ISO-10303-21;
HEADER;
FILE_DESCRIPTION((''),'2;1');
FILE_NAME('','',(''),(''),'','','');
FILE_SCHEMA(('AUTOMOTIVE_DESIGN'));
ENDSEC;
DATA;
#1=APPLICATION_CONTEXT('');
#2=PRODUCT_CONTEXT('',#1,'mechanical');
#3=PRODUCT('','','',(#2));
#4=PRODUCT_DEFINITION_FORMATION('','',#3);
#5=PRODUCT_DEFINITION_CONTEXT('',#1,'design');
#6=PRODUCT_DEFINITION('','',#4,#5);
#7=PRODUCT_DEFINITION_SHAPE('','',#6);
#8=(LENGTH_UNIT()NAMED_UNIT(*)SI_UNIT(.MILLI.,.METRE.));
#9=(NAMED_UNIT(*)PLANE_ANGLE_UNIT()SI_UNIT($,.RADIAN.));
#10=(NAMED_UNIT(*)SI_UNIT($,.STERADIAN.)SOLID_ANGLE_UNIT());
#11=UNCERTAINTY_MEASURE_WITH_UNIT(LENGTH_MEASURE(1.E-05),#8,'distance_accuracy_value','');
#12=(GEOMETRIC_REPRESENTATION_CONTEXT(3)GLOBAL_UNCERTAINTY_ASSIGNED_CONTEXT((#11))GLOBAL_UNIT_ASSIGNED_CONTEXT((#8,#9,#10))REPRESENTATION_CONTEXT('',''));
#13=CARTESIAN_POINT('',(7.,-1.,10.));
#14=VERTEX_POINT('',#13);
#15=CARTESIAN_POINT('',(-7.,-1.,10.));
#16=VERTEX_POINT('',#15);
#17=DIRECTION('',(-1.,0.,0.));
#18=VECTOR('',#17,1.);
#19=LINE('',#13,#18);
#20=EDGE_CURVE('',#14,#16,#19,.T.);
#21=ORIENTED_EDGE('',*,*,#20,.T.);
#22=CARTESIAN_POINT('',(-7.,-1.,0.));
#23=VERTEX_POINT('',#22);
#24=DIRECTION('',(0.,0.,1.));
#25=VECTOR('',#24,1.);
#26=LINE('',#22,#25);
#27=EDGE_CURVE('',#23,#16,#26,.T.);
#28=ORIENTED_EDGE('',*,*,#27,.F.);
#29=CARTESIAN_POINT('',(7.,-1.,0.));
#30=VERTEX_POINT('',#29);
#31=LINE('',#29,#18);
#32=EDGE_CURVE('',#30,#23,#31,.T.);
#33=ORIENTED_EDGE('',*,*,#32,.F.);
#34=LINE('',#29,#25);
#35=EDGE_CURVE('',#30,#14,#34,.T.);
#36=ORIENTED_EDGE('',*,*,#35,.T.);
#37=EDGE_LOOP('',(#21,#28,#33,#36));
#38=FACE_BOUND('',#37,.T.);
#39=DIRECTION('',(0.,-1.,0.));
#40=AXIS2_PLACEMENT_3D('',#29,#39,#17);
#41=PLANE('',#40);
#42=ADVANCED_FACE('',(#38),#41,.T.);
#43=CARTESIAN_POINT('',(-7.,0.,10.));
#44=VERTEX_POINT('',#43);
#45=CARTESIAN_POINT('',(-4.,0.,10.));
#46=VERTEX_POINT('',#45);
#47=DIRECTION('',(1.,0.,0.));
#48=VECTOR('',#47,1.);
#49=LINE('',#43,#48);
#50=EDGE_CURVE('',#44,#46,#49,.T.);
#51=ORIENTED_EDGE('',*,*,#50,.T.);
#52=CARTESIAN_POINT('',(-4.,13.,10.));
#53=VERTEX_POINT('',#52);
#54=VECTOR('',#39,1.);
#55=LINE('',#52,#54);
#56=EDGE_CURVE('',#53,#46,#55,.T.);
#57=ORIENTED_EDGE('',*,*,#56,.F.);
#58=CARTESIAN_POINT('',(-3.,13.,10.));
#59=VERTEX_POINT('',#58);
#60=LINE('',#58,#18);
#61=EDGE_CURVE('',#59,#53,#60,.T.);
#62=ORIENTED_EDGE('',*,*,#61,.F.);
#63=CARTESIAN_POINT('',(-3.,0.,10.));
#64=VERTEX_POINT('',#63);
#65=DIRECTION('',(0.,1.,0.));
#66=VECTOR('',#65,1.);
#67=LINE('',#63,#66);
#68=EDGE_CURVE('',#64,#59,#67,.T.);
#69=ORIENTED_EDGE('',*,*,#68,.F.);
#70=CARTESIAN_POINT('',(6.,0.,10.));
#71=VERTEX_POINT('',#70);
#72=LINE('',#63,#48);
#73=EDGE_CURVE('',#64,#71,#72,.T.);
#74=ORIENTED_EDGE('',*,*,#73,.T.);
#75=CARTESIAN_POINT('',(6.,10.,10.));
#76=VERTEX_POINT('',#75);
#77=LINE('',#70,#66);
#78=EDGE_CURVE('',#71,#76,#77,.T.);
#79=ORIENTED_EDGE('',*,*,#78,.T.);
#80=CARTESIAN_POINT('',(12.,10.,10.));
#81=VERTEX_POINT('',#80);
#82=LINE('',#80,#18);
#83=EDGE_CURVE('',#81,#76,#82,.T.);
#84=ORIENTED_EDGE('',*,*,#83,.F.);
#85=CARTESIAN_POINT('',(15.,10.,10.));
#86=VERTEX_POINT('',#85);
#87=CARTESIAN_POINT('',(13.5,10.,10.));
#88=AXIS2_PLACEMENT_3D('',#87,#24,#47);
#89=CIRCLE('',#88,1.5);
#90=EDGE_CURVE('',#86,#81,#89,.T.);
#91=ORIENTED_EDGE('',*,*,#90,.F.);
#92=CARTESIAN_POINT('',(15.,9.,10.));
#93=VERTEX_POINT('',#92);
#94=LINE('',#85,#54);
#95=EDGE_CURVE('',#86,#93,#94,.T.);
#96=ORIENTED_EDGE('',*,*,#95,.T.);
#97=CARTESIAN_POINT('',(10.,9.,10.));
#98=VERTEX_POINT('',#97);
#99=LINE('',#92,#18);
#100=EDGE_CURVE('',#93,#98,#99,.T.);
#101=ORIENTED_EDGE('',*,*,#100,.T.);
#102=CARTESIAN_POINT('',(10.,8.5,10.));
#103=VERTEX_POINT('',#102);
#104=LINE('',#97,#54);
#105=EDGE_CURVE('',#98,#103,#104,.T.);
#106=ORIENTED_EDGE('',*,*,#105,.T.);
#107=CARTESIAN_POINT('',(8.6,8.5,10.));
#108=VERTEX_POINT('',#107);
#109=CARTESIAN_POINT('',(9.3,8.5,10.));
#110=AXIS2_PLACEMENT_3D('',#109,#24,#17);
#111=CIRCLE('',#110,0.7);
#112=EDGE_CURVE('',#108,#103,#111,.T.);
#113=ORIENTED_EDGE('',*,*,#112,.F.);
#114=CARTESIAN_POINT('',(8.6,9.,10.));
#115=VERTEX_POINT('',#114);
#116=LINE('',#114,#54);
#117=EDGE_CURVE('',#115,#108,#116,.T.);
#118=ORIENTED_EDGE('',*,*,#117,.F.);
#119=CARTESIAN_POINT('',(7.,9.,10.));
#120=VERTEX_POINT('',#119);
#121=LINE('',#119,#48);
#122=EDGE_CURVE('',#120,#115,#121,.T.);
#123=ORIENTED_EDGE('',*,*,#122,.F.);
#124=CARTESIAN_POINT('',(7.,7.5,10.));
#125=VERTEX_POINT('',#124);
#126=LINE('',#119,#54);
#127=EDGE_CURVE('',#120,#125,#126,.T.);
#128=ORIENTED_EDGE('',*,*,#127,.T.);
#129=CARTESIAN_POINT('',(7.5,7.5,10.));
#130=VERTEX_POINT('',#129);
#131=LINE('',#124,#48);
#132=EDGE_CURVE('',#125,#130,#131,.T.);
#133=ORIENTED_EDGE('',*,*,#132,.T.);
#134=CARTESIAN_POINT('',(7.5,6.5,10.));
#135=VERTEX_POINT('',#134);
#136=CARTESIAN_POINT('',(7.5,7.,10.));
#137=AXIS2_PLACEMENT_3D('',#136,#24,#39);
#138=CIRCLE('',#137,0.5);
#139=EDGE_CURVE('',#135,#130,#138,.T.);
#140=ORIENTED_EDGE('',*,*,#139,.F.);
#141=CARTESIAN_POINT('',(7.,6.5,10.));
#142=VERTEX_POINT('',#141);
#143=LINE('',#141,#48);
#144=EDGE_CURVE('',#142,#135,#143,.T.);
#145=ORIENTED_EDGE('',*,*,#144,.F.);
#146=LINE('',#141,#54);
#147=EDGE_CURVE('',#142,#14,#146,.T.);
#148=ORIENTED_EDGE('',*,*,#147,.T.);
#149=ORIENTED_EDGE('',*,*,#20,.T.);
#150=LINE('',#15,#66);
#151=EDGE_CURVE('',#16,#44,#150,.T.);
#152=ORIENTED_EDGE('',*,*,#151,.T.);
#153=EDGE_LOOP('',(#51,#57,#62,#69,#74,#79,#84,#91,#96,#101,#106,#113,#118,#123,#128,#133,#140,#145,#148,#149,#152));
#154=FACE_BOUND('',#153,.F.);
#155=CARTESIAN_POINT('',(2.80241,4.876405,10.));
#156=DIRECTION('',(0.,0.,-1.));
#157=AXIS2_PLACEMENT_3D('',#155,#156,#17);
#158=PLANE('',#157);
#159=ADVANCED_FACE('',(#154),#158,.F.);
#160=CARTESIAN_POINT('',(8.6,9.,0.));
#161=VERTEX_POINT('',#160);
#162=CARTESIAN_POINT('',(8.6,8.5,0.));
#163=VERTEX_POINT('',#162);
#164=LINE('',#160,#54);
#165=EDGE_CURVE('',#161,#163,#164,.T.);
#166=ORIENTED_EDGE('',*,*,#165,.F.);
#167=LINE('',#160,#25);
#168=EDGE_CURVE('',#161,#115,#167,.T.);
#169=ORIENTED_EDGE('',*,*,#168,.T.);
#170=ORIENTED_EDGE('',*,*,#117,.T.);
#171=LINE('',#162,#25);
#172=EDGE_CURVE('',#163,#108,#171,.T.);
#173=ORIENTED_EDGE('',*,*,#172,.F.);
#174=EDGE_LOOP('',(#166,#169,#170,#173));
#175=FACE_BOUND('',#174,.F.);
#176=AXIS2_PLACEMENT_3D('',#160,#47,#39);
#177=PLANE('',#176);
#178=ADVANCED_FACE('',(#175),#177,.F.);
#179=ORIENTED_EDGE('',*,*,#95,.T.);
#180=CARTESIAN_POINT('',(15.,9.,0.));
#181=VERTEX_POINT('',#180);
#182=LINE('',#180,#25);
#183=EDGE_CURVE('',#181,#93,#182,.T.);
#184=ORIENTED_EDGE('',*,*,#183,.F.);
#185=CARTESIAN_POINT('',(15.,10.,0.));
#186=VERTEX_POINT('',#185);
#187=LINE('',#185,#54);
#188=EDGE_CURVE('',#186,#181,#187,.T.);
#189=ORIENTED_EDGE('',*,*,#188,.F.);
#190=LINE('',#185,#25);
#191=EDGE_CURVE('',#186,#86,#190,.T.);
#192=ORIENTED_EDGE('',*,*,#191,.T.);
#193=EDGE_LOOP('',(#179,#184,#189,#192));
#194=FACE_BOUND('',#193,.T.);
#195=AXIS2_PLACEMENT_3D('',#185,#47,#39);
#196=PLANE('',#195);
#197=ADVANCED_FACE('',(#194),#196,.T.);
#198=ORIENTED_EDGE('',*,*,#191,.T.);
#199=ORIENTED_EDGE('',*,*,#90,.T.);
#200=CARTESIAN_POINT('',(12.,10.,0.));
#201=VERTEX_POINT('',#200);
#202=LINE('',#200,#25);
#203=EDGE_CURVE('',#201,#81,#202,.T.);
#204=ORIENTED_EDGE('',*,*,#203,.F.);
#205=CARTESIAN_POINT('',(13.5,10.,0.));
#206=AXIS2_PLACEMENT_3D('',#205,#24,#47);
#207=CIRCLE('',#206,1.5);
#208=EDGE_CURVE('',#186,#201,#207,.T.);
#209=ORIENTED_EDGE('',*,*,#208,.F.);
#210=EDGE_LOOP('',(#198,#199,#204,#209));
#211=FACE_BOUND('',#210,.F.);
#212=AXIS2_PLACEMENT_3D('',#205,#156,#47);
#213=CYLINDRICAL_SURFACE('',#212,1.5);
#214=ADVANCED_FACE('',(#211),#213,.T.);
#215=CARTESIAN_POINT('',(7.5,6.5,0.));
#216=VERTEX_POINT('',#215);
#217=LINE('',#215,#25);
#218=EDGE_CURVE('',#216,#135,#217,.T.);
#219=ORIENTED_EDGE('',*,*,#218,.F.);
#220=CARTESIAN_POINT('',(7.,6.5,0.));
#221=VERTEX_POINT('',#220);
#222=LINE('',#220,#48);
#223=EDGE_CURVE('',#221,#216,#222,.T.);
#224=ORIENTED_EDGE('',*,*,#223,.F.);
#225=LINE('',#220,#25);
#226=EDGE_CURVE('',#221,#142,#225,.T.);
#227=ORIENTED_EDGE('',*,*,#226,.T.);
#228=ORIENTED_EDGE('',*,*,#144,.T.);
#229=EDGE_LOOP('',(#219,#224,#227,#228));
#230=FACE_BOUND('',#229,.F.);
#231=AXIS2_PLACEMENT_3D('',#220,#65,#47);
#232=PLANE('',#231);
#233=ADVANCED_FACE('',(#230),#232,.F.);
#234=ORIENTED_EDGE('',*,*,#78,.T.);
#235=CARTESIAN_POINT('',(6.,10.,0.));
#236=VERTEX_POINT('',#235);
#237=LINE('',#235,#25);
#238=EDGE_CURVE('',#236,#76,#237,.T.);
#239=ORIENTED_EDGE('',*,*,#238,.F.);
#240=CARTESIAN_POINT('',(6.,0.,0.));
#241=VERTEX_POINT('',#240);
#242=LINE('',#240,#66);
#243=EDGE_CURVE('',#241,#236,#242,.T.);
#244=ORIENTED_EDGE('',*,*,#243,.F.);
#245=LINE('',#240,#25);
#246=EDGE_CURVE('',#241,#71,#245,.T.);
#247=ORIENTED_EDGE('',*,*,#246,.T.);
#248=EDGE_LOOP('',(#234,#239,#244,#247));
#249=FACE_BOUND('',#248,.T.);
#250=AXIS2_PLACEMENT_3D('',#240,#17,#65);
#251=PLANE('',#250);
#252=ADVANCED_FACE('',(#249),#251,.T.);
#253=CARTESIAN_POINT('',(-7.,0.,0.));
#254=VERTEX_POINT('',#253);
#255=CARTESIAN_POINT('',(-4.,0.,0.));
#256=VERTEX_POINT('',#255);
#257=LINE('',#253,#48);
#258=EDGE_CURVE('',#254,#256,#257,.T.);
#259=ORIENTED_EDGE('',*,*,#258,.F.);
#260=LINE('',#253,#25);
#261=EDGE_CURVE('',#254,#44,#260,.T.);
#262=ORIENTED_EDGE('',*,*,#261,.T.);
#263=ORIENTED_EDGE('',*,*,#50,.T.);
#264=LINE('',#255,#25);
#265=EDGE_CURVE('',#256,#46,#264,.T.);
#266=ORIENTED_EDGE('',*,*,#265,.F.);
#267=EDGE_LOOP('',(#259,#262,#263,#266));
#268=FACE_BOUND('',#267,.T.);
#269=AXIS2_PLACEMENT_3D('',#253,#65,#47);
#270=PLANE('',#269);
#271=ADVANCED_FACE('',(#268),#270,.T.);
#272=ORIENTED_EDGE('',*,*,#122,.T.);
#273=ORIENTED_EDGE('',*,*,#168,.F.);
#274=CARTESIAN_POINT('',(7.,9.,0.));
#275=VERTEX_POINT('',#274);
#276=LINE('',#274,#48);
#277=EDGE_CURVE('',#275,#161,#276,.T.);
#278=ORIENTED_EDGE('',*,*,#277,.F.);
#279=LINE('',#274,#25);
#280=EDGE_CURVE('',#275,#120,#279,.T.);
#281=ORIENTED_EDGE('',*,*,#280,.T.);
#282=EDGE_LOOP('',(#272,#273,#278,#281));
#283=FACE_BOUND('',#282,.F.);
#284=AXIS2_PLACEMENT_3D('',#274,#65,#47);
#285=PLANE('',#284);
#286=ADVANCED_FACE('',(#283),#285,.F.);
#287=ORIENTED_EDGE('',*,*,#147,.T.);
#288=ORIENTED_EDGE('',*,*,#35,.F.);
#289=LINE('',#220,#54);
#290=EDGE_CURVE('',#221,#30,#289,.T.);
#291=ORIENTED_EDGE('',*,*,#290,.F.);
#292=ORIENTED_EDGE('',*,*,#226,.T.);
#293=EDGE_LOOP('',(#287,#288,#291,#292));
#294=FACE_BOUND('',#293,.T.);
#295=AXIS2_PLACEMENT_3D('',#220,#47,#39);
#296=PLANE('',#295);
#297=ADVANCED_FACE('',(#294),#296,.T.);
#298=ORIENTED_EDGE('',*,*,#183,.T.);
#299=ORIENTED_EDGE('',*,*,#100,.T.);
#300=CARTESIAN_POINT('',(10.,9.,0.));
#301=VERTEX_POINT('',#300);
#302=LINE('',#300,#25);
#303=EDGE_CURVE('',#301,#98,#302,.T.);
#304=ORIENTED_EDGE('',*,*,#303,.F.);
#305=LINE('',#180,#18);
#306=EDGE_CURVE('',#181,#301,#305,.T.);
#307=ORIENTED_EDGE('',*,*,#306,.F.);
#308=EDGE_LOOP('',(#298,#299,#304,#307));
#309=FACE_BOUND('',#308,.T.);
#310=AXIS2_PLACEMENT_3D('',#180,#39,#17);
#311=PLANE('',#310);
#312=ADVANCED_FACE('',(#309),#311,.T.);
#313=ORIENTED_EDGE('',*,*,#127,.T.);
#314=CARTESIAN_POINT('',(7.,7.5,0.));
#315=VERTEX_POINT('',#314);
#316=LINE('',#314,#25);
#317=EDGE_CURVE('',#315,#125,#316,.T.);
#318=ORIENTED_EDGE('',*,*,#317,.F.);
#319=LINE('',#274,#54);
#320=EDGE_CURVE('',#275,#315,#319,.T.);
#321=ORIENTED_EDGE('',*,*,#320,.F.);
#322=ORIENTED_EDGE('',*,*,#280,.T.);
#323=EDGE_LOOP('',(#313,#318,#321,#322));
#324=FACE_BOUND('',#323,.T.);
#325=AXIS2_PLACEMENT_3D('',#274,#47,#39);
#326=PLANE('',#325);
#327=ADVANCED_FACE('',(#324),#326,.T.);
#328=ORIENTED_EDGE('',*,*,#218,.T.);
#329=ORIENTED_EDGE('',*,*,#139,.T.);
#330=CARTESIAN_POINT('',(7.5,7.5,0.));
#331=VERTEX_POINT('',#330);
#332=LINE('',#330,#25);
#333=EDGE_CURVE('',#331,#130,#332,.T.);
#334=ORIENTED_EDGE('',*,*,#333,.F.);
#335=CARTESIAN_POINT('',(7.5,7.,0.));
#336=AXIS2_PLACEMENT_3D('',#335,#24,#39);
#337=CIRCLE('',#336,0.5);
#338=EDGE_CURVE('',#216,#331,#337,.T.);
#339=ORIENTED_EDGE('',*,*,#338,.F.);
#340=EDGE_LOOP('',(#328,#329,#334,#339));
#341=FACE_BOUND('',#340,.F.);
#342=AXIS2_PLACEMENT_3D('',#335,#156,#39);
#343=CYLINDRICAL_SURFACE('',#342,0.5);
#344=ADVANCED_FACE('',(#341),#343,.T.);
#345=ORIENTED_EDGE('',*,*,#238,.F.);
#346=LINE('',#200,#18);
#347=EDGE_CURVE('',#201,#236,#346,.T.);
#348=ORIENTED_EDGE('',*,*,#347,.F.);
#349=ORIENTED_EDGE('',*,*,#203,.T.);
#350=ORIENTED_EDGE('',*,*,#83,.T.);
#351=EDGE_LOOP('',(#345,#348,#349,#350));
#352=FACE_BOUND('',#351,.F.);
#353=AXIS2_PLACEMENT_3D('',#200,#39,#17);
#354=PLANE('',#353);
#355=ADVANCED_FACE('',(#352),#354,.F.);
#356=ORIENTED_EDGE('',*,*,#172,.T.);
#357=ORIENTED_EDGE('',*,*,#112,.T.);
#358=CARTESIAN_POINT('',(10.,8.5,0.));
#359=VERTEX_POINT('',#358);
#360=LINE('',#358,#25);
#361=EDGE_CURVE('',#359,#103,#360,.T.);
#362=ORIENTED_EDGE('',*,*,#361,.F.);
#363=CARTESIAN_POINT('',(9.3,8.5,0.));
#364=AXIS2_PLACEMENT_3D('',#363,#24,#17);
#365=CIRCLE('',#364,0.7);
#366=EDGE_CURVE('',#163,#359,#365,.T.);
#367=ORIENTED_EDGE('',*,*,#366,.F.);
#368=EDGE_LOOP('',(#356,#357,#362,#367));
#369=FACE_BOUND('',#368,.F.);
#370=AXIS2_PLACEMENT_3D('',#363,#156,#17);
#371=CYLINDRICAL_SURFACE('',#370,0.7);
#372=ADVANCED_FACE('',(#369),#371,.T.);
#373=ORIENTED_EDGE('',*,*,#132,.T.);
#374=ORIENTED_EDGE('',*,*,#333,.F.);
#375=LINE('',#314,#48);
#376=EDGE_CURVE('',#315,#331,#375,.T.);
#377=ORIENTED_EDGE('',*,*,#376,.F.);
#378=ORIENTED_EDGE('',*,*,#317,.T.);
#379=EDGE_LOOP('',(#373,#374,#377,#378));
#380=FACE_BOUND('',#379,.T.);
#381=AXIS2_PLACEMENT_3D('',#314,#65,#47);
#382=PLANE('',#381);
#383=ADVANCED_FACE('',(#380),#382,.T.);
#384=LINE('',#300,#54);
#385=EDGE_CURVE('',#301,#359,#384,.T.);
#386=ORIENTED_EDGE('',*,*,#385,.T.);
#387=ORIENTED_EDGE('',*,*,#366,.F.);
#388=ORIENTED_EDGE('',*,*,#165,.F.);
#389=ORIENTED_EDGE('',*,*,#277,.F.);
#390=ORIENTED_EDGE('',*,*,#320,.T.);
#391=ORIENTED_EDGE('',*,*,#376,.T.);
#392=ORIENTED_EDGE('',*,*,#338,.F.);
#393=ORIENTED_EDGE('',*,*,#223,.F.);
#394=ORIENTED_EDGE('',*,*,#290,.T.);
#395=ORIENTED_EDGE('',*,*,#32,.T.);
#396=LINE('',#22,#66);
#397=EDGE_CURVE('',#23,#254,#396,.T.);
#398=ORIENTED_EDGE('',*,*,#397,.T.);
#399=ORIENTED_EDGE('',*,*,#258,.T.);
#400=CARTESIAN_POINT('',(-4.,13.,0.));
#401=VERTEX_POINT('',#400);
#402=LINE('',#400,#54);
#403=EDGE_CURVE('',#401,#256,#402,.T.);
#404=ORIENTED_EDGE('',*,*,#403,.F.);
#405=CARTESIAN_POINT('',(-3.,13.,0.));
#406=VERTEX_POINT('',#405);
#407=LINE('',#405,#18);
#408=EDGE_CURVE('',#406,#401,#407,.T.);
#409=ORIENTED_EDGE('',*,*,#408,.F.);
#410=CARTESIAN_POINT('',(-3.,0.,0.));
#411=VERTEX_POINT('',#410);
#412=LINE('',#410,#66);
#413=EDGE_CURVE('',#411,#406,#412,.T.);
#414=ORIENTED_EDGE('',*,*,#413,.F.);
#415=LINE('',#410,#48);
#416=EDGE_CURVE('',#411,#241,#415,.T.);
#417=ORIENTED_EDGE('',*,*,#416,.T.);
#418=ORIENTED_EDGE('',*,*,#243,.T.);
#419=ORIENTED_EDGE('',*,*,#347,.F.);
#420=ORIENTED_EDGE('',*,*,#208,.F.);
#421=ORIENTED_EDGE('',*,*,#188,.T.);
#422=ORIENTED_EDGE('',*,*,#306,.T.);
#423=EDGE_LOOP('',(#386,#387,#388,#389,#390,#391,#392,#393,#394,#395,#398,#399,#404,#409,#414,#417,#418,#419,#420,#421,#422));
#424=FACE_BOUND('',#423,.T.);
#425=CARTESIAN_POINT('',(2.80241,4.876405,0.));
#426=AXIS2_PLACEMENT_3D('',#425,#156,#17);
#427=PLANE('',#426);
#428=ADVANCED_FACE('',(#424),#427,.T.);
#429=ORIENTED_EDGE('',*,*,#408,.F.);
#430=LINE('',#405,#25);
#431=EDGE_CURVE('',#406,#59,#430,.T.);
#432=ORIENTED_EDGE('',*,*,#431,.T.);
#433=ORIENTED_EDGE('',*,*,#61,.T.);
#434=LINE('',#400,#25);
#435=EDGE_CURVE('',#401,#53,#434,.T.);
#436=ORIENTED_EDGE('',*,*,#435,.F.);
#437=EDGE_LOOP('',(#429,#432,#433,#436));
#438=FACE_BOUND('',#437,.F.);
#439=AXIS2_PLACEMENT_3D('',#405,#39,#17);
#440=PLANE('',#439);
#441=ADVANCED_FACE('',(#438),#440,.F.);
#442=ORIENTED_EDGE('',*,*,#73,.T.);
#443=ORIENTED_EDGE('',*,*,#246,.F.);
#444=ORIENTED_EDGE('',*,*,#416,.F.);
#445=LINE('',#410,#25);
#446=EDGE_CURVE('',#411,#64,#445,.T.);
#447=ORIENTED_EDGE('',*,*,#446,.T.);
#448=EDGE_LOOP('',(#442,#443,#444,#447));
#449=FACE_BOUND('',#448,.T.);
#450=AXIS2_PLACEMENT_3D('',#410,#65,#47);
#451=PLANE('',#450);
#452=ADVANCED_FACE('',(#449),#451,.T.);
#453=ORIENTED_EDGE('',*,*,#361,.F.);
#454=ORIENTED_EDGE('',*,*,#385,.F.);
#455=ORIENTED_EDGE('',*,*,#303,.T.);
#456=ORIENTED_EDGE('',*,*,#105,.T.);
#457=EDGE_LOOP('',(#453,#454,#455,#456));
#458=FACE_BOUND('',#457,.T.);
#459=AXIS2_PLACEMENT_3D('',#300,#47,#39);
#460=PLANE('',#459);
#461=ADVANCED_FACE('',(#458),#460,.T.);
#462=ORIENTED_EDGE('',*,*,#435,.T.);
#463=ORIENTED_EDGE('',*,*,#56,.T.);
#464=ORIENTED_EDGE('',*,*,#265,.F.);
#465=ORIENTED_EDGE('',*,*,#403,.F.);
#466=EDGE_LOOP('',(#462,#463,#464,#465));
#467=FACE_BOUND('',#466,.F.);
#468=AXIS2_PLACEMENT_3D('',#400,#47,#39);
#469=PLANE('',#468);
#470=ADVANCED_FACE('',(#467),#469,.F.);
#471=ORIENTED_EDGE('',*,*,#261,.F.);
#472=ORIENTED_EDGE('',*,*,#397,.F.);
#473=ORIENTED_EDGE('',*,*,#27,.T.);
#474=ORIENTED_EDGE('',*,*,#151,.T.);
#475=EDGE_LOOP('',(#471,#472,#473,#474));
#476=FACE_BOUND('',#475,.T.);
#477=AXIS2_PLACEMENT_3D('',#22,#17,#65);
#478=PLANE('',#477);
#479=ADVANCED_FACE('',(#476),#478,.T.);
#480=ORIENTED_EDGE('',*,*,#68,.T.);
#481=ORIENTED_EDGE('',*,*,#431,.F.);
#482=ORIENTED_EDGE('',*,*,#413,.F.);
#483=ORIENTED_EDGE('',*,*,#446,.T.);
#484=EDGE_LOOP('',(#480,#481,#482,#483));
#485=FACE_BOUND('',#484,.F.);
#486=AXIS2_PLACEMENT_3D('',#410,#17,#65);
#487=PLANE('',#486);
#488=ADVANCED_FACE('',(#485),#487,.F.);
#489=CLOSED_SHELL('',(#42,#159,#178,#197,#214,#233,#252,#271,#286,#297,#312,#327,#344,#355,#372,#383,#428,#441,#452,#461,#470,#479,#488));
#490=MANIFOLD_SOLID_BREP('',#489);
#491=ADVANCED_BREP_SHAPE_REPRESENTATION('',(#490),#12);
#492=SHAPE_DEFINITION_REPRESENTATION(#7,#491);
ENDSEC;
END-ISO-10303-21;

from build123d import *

# Parameters (mm, degrees)
PAD_DEPTH    = 10
PAD001_DEPTH = 10


with BuildPart() as part:
    # Sketch → Pad (new body)
    with BuildSketch(Plane.XY):
        with BuildLine():
            Line((7, -1), (-7, -1))
            Line((-7, -1), (-7, 0))
            Line((-7, 0), (-4, 0))
            Line((-4, 13), (-4, 0))
            Line((-3, 13), (-4, 13))
            Line((-3, 0), (-3, 13))
            Line((-3, 0), (6, 0))
            Line((6, 0), (6, 10))
            Line((12, 10), (6, 10))
            ThreePointArc((15, 10), (13.5, 11.5), (12, 10))
            Line((15, 10), (15, 9))
            Line((15, 9), (10, 9))
            Line((10, 9), (10, 8.5))
            ThreePointArc((8.6, 8.5), (9.3, 7.8), (10, 8.5))
            Line((8.6, 9), (8.6, 8.5))
            Line((7, 9), (8.6, 9))
            Line((7, 9), (7, 7.5))
            Line((7, 7.5), (7.5, 7.5))
            ThreePointArc((7.5, 6.5), (8, 7), (7.5, 7.5))
            Line((7, 6.5), (7.5, 6.5))
            Line((7, 6.5), (7, -1))
        make_face()
    extrude(amount=PAD_DEPTH)

    # Sketch → Pad001 (join)
    with BuildSketch(Plane.XY):
        with BuildLine():
            Line((7, -1), (-7, -1))
            Line((-7, -1), (-7, 0))
            Line((-7, 0), (-4, 0))
            Line((-4, 13), (-4, 0))
            Line((-3, 13), (-4, 13))
            Line((-3, 0), (-3, 13))
            Line((-3, 0), (6, 0))
            Line((6, 0), (6, 10))
            Line((12, 10), (6, 10))
            ThreePointArc((15, 10), (13.5, 11.5), (12, 10))
            Line((15, 10), (15, 9))
            Line((15, 9), (10, 9))
            Line((10, 9), (10, 8.5))
            ThreePointArc((8.6, 8.5), (9.3, 7.8), (10, 8.5))
            Line((8.6, 9), (8.6, 8.5))
            Line((7, 9), (8.6, 9))
            Line((7, 9), (7, 7.5))
            Line((7, 7.5), (7.5, 7.5))
            ThreePointArc((7.5, 6.5), (8, 7), (7.5, 7.5))
            Line((7, 6.5), (7.5, 6.5))
            Line((7, 6.5), (7, -1))
        make_face()
    extrude(amount=PAD001_DEPTH)


solid = part.part
